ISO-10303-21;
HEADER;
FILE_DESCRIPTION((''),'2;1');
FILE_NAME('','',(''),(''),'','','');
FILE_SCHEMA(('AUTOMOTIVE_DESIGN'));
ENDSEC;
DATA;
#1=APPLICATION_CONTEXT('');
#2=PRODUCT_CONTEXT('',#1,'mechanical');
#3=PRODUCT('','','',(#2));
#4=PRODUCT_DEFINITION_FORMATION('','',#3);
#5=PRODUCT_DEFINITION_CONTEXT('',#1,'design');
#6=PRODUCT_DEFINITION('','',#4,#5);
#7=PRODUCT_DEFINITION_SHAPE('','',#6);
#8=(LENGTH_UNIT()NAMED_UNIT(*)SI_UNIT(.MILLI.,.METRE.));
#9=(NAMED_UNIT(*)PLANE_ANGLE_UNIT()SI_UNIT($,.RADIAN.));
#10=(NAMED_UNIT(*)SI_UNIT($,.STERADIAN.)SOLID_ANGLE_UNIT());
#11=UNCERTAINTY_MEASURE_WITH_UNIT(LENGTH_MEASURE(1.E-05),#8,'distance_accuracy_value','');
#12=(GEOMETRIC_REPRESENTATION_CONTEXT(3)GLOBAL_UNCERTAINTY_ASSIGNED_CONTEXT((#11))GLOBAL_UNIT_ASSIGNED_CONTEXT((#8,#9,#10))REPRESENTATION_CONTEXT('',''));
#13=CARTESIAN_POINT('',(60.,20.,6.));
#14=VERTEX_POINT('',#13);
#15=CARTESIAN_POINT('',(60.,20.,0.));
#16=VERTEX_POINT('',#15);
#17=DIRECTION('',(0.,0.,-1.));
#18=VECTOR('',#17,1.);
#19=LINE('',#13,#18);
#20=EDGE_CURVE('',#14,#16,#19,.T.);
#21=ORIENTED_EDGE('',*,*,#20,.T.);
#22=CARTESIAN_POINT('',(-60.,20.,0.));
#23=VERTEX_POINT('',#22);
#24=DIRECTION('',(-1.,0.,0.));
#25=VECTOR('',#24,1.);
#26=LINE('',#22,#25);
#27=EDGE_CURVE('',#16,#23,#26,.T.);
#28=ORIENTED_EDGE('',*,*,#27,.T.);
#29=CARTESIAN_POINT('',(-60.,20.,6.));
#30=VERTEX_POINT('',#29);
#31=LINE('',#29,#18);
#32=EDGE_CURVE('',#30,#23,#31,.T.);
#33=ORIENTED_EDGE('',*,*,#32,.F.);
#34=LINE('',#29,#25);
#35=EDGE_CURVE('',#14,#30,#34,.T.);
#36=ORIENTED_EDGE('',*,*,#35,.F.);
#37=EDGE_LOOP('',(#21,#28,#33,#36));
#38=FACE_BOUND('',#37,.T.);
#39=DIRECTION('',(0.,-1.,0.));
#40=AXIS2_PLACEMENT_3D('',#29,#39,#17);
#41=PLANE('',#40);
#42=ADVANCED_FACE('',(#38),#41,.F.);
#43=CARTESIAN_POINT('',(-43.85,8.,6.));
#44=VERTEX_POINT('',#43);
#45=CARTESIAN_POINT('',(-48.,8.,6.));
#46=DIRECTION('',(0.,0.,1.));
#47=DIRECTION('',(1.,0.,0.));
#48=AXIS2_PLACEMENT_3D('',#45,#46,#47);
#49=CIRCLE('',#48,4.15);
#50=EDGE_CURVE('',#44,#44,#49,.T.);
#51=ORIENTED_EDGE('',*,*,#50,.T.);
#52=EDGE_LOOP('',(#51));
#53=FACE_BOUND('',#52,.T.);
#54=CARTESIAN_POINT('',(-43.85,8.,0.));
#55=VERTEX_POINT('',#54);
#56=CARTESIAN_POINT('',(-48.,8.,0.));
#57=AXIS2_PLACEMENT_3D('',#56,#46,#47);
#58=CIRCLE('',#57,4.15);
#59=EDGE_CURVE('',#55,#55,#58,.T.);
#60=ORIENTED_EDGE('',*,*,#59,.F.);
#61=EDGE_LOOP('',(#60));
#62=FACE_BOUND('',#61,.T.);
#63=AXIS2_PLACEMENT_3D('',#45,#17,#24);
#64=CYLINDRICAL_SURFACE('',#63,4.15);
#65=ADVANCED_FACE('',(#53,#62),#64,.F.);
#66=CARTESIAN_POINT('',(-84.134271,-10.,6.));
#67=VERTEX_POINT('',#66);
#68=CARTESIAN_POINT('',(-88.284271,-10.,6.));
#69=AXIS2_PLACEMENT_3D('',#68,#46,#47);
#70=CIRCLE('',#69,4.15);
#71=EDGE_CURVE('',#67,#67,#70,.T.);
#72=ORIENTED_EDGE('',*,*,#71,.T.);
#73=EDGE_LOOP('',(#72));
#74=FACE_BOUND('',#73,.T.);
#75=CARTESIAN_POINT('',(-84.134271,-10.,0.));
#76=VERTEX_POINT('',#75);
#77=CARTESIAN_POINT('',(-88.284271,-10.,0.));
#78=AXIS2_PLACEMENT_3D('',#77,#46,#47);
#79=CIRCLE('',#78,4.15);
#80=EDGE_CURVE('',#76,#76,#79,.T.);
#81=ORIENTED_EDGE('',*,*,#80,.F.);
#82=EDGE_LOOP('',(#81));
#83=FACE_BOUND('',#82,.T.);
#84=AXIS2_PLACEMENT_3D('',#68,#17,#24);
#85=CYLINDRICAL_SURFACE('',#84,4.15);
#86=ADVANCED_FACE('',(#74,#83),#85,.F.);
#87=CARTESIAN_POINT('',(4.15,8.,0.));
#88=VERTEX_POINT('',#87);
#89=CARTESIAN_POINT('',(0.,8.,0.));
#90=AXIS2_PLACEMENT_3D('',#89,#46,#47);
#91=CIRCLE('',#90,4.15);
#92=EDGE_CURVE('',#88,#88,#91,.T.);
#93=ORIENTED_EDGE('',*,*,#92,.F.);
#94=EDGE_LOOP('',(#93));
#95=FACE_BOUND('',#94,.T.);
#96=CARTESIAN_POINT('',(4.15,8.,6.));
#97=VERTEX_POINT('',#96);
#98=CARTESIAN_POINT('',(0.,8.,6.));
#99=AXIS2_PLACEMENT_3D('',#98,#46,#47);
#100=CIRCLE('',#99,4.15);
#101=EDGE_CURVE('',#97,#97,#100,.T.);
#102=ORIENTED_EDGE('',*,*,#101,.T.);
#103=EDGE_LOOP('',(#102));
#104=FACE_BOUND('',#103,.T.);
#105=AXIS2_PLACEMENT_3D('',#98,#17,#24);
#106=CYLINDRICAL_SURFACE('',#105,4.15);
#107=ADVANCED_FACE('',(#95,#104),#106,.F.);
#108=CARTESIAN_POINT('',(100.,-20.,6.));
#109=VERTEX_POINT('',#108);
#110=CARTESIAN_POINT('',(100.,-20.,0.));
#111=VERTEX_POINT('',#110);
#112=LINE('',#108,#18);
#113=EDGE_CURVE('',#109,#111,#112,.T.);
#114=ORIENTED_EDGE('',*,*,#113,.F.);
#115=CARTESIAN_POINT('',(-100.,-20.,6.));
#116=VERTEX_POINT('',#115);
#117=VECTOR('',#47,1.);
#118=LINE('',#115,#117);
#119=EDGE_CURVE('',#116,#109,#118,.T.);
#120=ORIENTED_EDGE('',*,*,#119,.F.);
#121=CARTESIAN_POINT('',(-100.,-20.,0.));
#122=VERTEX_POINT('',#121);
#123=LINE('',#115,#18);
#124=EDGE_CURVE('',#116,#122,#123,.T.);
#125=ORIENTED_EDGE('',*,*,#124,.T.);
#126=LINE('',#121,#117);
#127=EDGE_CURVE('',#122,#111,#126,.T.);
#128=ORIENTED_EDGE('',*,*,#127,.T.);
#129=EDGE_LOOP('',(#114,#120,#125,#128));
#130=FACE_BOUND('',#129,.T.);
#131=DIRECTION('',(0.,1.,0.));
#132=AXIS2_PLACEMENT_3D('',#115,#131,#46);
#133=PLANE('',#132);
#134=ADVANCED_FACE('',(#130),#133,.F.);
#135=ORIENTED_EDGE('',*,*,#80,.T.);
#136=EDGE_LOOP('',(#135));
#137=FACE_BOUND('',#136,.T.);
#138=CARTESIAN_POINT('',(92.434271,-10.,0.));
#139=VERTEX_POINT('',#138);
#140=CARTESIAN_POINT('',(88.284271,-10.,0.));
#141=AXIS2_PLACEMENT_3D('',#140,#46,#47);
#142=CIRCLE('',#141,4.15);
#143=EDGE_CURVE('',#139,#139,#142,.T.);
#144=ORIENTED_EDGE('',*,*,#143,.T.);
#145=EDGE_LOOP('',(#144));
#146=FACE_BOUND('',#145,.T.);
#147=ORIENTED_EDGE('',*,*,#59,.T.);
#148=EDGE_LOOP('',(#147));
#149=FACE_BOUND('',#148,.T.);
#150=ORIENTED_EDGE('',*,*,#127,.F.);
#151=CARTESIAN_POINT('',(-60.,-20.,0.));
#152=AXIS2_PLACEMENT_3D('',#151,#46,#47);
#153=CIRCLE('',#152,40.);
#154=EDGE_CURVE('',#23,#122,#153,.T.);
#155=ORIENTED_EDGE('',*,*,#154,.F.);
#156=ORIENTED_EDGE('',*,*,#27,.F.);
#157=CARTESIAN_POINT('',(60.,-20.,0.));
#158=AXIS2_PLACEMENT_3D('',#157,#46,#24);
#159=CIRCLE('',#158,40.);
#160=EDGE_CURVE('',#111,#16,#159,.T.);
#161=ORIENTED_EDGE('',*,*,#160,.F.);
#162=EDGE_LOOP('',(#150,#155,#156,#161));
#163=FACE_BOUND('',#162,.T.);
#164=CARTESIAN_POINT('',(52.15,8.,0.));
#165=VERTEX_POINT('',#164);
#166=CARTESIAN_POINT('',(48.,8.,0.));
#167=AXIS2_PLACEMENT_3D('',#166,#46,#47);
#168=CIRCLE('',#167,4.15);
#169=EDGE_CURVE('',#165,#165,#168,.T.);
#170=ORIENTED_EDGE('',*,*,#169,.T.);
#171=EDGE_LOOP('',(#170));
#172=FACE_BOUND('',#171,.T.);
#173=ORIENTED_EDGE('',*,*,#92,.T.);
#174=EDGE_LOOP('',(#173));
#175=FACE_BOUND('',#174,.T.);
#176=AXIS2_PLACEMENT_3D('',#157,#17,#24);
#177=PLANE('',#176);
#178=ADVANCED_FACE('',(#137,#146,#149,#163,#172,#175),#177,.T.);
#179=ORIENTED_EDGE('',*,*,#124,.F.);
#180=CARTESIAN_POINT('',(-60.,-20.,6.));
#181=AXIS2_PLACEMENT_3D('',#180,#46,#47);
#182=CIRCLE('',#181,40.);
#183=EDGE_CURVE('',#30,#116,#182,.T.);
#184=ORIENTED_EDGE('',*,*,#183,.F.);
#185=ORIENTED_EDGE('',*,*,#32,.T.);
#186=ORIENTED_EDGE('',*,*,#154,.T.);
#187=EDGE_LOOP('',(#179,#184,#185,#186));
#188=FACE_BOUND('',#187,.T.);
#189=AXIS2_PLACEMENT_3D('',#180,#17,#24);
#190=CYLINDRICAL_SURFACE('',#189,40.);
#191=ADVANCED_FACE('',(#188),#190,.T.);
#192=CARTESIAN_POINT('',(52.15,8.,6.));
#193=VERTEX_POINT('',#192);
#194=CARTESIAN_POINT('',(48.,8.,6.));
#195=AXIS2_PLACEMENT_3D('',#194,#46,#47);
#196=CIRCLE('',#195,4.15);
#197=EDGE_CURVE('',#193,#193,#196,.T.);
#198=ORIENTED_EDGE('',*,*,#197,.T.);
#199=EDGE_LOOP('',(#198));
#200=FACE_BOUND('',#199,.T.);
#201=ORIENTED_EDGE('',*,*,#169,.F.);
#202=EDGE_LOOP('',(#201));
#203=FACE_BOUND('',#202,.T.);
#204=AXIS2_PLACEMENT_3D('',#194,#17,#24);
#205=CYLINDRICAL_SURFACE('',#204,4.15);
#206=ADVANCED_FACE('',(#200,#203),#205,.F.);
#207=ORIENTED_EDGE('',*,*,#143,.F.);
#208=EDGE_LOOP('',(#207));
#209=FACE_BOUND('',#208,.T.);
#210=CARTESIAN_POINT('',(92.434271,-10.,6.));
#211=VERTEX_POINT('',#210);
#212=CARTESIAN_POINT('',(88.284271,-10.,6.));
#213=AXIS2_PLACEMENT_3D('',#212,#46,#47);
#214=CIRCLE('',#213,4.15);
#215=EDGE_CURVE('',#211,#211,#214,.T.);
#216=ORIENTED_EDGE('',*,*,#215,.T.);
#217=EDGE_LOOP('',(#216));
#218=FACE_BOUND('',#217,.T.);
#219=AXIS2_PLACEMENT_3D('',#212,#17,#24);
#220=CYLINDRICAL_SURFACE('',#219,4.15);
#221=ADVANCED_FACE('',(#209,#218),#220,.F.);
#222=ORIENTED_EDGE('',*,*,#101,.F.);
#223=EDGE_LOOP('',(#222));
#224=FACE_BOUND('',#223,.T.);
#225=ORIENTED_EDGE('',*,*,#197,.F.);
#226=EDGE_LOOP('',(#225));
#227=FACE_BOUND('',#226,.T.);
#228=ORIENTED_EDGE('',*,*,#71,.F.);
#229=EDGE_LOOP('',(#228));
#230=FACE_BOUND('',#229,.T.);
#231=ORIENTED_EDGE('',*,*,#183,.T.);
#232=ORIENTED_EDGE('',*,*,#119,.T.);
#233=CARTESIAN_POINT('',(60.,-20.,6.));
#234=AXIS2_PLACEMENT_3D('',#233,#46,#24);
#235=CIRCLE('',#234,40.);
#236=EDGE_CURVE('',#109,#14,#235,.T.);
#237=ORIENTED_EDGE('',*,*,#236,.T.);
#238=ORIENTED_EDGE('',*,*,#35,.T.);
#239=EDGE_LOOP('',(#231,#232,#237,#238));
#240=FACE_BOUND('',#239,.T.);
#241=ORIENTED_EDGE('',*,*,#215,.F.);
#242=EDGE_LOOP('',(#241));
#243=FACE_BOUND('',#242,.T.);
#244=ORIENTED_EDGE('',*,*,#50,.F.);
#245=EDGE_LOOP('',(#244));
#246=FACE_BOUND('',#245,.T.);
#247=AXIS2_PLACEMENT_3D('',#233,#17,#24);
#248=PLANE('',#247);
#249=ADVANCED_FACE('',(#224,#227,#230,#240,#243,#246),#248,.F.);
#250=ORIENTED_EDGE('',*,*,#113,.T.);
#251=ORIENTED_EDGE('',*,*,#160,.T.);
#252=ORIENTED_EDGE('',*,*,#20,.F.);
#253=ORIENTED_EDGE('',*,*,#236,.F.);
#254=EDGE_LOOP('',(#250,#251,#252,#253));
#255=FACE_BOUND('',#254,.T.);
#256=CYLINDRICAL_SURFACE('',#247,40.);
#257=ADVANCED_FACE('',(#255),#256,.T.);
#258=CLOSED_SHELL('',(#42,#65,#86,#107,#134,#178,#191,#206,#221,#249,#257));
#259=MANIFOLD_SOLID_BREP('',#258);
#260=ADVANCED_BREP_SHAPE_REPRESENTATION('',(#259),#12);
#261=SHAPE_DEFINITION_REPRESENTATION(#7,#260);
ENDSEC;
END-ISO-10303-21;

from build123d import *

# Parameters (mm, degrees)
SKETCH1_R           = 4.15
BOSS_EXTRUDE1_DEPTH = 6


with BuildPart() as part:
    # Sketch1 → Boss-Extrude1 (new body)
    with BuildSketch(Plane.XY):
        with BuildLine():
            Line((-60, 20), (60, 20))
            ThreePointArc((60, 20), (88.284271247, 8.284271247), (100, -20))
            Line((100, -20), (-100, -20))
            ThreePointArc((-100, -20), (-88.284271247, 8.284271247), (-60, 20))
        make_face()
        with Locations((0, 8)):
            Circle(SKETCH1_R, mode=Mode.SUBTRACT)
        with Locations((48, 8)):
            Circle(SKETCH1_R, mode=Mode.SUBTRACT)
        with Locations((-48, 8)):
            Circle(SKETCH1_R, mode=Mode.SUBTRACT)
        with Locations((-88.284271247, -10)):
            Circle(SKETCH1_R, mode=Mode.SUBTRACT)
        with Locations((88.284271247, -10)):
            Circle(SKETCH1_R, mode=Mode.SUBTRACT)
    extrude(amount=BOSS_EXTRUDE1_DEPTH)


solid = part.part
